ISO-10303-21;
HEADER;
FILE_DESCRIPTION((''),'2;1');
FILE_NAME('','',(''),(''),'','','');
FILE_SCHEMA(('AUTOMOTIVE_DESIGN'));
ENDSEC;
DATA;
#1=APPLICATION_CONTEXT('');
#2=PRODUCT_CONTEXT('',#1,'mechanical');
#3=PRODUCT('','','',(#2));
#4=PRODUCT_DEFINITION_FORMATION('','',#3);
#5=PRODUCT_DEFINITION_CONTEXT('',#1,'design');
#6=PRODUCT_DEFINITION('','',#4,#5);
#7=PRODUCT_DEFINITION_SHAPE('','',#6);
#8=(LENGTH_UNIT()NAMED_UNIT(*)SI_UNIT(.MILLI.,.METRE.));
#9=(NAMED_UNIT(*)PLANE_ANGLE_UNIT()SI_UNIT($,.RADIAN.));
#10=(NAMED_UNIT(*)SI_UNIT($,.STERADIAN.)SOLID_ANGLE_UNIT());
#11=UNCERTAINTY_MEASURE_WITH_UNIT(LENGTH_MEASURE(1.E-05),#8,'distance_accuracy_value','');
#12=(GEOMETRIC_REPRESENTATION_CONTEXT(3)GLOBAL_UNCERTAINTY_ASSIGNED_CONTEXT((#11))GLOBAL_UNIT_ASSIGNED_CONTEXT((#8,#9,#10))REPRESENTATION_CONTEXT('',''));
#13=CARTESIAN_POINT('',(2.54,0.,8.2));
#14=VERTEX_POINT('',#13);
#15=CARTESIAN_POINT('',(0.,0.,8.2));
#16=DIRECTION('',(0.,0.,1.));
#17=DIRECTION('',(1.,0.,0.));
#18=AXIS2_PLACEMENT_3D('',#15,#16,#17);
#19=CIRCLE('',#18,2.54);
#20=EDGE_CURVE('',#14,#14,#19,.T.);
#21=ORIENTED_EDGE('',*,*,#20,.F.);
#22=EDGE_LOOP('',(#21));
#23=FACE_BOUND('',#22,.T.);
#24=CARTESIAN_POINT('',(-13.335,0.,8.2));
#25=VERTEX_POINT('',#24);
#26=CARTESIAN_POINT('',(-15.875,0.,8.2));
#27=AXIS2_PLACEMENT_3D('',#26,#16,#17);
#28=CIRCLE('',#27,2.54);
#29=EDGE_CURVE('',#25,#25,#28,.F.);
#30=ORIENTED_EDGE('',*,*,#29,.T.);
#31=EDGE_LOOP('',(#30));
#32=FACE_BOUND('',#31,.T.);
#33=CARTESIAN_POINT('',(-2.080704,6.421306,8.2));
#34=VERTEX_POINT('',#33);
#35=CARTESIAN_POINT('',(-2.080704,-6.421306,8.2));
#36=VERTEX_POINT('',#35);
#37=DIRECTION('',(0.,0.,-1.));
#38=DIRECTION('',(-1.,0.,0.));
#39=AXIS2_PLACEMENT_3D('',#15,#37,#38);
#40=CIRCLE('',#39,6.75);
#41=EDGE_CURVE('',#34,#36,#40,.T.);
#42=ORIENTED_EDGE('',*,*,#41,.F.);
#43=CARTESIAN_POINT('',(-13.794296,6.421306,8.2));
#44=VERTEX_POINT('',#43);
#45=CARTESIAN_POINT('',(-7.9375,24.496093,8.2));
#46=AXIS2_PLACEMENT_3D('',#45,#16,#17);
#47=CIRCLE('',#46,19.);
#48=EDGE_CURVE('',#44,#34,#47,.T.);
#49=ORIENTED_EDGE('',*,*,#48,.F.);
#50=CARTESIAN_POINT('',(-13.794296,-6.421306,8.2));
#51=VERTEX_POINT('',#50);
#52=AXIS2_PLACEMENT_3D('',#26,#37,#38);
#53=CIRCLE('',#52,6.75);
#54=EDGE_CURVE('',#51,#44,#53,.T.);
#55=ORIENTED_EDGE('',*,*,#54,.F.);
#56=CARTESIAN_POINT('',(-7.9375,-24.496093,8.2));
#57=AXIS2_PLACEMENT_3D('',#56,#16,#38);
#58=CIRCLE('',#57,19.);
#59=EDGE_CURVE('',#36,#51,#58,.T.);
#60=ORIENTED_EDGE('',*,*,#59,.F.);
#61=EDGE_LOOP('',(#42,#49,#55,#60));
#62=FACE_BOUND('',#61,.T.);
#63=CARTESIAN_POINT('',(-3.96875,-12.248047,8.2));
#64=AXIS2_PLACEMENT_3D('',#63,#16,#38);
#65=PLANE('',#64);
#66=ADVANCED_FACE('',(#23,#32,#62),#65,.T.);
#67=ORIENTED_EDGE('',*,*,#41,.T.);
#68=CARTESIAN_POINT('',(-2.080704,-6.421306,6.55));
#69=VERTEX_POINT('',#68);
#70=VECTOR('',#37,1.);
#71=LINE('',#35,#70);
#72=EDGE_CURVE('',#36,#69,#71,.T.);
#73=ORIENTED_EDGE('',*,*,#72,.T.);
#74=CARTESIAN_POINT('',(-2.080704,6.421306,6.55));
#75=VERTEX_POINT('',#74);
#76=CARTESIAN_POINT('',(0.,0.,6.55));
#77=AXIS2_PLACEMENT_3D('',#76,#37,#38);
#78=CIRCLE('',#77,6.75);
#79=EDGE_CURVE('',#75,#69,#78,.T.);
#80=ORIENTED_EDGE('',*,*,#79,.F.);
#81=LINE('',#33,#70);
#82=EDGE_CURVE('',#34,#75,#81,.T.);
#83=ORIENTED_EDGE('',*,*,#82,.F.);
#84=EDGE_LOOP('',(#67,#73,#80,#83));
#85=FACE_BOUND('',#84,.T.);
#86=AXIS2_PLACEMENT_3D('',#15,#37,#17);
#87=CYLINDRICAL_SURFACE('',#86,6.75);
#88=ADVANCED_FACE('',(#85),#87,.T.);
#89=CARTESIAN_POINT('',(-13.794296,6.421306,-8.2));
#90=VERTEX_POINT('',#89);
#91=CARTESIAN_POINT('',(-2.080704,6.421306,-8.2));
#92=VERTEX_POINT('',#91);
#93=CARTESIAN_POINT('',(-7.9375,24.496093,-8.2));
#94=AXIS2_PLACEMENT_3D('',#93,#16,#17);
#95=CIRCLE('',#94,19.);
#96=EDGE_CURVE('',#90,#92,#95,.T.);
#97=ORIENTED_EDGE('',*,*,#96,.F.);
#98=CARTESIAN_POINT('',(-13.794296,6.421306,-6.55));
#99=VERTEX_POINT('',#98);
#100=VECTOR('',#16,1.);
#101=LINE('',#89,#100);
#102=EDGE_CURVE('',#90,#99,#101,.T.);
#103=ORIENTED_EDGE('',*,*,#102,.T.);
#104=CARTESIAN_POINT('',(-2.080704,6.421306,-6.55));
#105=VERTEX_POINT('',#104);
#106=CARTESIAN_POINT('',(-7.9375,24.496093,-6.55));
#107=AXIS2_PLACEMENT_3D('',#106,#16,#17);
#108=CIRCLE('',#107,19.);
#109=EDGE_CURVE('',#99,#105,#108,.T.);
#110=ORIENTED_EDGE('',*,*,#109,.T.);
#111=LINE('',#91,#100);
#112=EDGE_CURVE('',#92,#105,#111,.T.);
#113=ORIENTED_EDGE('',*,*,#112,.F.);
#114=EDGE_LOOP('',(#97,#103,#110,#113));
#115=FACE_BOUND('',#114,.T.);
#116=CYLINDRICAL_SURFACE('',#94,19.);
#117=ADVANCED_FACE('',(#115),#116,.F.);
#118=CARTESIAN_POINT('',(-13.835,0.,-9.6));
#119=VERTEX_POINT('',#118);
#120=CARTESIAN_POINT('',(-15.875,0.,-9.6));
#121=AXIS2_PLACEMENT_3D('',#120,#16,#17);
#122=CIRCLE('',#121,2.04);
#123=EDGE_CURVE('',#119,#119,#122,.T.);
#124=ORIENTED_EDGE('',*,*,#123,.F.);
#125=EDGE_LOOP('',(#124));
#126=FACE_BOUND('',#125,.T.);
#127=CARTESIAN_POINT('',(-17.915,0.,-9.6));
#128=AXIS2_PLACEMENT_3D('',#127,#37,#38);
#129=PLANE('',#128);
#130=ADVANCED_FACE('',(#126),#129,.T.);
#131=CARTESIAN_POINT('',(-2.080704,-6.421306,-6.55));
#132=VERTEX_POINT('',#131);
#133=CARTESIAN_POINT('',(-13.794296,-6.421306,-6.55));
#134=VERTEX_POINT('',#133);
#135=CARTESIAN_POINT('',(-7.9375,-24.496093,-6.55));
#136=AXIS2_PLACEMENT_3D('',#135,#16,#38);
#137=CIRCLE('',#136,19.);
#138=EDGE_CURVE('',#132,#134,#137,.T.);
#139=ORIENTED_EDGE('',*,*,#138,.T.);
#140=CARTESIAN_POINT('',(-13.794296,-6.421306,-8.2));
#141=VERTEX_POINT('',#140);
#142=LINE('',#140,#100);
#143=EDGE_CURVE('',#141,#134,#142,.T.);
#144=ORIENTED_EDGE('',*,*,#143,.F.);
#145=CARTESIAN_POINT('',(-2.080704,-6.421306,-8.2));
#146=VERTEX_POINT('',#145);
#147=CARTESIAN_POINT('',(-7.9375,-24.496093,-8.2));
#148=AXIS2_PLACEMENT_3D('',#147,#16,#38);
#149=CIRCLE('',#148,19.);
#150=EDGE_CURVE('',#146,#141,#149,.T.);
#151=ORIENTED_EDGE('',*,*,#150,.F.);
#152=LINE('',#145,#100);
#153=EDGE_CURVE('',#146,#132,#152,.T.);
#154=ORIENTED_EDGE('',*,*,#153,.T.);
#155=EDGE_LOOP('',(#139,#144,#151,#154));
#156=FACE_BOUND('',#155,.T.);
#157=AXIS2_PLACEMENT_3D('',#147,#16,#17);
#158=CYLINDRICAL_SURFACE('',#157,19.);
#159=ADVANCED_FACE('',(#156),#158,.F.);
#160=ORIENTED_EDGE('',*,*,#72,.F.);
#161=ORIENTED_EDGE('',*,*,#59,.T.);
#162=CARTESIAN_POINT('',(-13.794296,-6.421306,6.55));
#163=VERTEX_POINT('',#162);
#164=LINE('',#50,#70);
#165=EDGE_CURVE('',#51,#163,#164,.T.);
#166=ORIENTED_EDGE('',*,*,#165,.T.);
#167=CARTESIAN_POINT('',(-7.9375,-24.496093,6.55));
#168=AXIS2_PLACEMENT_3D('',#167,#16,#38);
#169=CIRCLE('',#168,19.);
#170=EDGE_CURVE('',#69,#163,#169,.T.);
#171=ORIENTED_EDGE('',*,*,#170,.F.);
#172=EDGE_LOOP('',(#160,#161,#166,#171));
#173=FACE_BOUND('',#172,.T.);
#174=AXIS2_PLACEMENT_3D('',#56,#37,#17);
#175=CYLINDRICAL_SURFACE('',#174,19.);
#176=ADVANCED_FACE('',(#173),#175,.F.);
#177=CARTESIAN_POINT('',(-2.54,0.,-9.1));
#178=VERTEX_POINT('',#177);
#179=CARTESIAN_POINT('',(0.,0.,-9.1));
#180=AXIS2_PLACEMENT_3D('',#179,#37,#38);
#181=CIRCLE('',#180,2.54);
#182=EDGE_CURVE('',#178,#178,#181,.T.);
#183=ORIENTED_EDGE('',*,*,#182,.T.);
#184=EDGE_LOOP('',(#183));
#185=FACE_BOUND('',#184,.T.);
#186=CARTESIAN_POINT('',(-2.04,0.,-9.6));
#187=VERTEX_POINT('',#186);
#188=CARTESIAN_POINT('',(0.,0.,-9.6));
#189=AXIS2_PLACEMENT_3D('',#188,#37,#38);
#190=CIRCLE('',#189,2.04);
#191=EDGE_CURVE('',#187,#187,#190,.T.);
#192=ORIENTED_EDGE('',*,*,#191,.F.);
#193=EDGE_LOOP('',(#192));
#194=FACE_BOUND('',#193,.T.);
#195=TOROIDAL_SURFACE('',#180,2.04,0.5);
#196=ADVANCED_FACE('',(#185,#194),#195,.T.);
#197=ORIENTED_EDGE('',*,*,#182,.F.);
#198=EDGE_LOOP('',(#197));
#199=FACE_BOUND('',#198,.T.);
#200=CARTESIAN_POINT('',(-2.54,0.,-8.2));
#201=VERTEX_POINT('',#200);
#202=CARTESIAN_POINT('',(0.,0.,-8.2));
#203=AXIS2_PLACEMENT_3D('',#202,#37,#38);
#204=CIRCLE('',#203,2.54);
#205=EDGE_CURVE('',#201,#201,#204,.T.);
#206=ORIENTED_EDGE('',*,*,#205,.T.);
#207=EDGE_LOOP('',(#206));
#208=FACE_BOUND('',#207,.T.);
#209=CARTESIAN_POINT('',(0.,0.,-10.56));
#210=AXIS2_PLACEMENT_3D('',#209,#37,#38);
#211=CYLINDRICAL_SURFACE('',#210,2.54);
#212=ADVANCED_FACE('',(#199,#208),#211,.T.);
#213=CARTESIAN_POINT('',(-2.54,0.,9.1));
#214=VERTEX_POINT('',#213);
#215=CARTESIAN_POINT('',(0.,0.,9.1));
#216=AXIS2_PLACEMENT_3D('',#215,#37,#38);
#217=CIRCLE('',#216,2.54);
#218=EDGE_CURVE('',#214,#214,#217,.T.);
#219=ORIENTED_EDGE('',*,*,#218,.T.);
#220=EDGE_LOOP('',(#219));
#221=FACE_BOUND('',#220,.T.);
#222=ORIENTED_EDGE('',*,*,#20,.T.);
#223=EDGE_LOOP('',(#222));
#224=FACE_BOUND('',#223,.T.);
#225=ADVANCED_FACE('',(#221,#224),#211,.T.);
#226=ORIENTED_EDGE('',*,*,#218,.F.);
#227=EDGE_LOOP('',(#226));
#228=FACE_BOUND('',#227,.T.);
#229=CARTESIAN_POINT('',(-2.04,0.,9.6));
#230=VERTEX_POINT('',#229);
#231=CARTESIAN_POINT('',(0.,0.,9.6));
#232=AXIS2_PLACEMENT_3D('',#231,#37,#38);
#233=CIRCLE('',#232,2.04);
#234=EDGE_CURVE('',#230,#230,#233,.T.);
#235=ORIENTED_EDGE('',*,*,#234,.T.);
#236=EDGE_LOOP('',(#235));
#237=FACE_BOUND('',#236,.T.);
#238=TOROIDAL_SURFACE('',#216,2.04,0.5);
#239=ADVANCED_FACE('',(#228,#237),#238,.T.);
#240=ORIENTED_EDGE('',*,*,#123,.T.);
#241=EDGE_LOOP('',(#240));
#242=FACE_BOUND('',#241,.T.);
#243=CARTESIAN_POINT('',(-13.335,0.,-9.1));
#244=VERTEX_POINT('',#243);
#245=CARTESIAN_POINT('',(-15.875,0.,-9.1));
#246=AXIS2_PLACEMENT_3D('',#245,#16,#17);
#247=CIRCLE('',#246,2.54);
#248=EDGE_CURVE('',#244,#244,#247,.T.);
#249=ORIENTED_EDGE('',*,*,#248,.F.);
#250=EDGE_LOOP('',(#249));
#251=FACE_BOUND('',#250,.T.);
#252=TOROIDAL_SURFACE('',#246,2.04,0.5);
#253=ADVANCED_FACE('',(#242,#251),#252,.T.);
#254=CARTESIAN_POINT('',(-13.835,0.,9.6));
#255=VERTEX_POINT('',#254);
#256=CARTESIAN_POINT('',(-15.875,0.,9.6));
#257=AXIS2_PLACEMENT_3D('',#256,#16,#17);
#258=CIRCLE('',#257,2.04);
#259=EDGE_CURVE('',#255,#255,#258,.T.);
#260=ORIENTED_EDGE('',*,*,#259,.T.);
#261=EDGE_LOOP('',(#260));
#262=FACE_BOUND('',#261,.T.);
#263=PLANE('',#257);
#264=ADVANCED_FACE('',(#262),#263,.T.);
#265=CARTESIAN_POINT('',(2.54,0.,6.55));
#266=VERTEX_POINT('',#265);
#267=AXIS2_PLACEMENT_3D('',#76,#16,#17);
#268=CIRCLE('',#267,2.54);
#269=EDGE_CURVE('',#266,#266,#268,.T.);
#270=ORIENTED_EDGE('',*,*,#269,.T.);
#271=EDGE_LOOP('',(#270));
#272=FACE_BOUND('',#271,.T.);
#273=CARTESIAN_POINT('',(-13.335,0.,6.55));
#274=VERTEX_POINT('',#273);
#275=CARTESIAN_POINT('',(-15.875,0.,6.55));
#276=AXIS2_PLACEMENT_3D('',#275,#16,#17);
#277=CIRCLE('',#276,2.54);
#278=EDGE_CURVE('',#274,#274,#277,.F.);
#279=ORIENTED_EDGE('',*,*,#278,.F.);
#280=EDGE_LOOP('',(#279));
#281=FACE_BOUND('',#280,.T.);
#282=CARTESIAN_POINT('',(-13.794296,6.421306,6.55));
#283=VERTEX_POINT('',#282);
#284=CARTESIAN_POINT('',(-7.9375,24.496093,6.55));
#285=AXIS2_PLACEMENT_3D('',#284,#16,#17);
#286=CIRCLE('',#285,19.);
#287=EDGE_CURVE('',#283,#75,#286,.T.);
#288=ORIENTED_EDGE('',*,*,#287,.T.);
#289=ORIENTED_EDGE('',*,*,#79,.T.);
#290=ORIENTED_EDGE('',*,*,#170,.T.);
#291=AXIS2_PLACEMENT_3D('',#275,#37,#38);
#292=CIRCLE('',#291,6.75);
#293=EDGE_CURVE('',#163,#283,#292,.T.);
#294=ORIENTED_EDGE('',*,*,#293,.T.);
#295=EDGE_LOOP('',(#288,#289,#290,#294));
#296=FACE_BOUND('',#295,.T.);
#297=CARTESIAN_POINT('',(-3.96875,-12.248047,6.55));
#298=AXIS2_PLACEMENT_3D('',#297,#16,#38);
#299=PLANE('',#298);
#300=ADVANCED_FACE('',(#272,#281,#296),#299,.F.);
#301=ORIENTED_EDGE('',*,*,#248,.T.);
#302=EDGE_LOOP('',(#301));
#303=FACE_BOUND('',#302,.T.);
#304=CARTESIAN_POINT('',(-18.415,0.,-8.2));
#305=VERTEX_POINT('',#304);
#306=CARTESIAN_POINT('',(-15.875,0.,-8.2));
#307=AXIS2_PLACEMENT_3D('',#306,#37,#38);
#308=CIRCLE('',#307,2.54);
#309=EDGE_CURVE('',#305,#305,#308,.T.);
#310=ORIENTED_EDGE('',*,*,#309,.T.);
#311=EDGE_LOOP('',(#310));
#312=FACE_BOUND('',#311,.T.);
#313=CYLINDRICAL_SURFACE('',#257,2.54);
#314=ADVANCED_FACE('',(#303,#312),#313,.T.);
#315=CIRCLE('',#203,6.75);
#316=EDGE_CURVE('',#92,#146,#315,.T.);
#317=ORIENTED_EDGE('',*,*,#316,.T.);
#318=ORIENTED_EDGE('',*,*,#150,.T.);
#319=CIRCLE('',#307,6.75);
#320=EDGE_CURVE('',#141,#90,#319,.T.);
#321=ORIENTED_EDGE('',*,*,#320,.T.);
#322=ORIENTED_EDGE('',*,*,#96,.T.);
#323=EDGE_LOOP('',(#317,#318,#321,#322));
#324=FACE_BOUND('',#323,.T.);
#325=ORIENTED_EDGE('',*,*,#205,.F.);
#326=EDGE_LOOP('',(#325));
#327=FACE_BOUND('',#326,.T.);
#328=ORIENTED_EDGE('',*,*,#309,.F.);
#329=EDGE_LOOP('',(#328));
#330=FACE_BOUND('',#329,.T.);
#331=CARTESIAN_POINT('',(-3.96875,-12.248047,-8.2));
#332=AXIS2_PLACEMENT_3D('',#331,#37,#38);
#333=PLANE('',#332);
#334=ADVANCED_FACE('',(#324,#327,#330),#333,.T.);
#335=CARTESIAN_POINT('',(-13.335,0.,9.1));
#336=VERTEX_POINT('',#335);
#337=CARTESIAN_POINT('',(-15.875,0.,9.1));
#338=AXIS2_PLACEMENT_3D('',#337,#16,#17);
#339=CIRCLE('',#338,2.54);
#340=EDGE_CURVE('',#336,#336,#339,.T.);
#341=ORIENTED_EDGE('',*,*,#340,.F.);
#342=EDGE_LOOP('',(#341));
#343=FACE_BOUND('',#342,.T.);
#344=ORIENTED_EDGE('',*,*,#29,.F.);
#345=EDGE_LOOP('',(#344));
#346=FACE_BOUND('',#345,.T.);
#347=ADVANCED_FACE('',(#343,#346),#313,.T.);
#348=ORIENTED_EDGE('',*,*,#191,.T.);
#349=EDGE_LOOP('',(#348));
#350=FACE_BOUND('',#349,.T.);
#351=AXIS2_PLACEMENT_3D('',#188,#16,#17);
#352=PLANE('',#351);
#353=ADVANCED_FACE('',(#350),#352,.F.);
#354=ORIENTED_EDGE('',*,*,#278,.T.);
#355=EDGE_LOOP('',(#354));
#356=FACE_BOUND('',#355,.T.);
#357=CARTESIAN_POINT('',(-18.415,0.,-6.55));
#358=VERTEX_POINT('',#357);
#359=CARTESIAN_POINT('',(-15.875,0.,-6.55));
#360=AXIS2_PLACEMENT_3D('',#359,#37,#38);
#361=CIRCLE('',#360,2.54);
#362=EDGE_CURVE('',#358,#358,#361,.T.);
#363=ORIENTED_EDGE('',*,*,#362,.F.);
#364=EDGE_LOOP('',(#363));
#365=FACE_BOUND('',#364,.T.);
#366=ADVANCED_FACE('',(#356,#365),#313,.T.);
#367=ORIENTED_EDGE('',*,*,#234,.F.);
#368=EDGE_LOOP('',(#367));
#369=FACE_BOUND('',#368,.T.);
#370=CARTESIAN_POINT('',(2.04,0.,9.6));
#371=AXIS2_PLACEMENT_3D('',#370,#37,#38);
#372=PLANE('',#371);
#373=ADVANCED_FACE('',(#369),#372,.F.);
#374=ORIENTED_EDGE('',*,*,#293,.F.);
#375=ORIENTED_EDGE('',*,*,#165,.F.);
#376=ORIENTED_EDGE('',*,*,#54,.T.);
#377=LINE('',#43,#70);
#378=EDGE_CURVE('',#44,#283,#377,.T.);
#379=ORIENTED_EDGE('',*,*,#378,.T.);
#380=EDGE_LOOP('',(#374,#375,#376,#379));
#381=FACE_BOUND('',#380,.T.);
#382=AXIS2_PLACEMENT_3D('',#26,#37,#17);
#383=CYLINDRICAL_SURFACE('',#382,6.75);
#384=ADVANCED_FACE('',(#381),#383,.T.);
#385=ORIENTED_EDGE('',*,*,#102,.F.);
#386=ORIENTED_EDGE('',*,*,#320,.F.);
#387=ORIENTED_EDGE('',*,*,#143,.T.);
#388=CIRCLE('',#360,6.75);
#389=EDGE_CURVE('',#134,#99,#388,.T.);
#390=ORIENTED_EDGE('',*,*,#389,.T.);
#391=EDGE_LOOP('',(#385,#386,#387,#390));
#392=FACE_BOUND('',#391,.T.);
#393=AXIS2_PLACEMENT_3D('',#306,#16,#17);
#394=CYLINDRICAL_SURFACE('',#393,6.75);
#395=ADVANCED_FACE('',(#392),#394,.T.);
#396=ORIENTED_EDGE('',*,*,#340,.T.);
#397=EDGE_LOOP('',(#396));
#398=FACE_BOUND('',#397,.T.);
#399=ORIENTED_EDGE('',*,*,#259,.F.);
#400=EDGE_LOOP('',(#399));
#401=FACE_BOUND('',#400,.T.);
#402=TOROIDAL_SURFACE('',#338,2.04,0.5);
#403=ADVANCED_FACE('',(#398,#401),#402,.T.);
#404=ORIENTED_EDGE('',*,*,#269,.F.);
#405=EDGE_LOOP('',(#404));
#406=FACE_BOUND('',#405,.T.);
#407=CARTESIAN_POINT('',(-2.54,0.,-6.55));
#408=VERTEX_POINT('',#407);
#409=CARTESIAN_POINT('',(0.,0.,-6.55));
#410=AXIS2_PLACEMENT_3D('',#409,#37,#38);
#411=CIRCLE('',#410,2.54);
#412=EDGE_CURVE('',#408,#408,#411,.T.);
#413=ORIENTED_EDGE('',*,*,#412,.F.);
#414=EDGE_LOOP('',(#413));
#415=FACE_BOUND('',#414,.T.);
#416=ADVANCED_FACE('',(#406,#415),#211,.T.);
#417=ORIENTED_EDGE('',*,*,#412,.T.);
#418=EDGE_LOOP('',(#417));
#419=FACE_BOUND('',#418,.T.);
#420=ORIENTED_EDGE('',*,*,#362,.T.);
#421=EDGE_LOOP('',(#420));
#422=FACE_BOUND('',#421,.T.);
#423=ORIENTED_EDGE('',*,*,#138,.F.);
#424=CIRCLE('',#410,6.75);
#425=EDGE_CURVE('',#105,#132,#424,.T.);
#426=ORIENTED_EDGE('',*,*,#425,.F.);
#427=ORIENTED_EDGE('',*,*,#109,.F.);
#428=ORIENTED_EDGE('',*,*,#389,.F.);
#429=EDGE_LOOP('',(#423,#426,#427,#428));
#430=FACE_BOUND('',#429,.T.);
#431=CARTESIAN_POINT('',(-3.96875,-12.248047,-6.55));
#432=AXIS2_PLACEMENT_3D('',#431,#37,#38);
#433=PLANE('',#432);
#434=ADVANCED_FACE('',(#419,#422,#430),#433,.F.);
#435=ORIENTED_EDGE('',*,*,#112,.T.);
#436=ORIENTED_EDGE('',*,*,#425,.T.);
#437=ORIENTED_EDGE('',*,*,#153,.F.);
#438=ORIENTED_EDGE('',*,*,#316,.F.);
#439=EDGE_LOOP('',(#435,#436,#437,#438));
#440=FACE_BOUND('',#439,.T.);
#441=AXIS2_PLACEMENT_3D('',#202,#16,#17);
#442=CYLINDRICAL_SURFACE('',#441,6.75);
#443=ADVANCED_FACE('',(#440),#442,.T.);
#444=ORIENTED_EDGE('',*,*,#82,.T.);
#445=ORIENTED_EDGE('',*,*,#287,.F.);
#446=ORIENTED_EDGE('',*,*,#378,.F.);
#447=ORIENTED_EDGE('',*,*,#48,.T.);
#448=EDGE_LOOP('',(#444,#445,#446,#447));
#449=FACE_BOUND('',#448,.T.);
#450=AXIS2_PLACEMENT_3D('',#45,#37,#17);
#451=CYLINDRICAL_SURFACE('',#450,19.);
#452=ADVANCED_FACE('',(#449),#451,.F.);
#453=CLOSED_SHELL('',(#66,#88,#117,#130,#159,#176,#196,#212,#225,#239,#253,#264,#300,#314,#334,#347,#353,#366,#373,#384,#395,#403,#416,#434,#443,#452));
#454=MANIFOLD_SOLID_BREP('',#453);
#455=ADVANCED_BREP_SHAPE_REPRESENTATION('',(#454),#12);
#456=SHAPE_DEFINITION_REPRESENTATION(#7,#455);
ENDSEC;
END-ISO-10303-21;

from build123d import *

# Parameters (mm, degrees)
SKETCH3_R           = 2.54
BOSS_EXTRUDE1_DEPTH = 1.65


with BuildPart() as part:
    # Sketch1 → Revolve1 (revolve)
    with BuildSketch(Plane(origin=(0, 0, 0), x_dir=(1, 0, 0), z_dir=(0, 1, 0))):
        with BuildLine():
            Line((0, -9.6), (0, 9.6))
            Line((0, 9.6), (2.04, 9.6))
            ThreePointArc((2.04, 9.6), (2.393553391, 9.453553391), (2.54, 9.1))
            Line((2.54, 9.1), (2.54, -9.1))
            ThreePointArc((2.54, -9.1), (2.393553391, -9.453553391), (2.04, -9.6))
            Line((2.04, -9.6), (0, -9.6))
        make_face()
    revolve(axis=Axis((0, 0, -10.56), (0, 0, 1)))



with BuildPart() as body_2:
    # Sketch2 → Revolve2 (revolve)
    with BuildSketch(Plane.XZ):
        with BuildLine():
            Line((-15.875, 9.6), (-17.915, 9.6))
            ThreePointArc((-17.915, 9.6), (-18.268553391, 9.453553391), (-18.415, 9.1))
            Line((-18.415, 9.1), (-18.415, -9.1))
            ThreePointArc((-18.415, -9.1), (-18.268553391, -9.453553391), (-17.915, -9.6))
            Line((-17.915, -9.6), (-15.875, -9.6))
            Line((-15.875, -9.6), (-15.875, 9.6))
        make_face()
    revolve(axis=Axis((-15.875, 0, 9.6), (0, 0, -1)))


with BuildPart() as part_1:
    add(part.part)

    add(body_2.part)  # Boss-Extrude1 merges body 2
    # Sketch3 → Boss-Extrude1 (add)
    with BuildSketch(Plane(origin=(0, 0, -6.55), x_dir=(0, -1, 0), z_dir=(0, 0, -1))):
        with BuildLine():
            ThreePointArc((-6.421306047, 2.080703883), (0, -6.75), (6.421306047, 2.080703883))
            ThreePointArc((6.421306047, 2.080703883), (5.496093439, 7.9375), (6.421306047, 13.794296117))
            ThreePointArc((6.421306047, 13.794296117), (0, 22.625), (-6.421306047, 13.794296117))
            ThreePointArc((-6.421306047, 13.794296117), (-5.496093439, 7.9375), (-6.421306047, 2.080703883))
        make_face()
        Circle(SKETCH3_R, mode=Mode.SUBTRACT)
        with Locations((0, 15.875)):
            Circle(SKETCH3_R, mode=Mode.SUBTRACT)
    boss_extrude1 = extrude(amount=BOSS_EXTRUDE1_DEPTH)

    # Mirror1: Boss-Extrude1 across plane
    add(boss_extrude1.mirror(Plane.XY))


solid = part_1.part
